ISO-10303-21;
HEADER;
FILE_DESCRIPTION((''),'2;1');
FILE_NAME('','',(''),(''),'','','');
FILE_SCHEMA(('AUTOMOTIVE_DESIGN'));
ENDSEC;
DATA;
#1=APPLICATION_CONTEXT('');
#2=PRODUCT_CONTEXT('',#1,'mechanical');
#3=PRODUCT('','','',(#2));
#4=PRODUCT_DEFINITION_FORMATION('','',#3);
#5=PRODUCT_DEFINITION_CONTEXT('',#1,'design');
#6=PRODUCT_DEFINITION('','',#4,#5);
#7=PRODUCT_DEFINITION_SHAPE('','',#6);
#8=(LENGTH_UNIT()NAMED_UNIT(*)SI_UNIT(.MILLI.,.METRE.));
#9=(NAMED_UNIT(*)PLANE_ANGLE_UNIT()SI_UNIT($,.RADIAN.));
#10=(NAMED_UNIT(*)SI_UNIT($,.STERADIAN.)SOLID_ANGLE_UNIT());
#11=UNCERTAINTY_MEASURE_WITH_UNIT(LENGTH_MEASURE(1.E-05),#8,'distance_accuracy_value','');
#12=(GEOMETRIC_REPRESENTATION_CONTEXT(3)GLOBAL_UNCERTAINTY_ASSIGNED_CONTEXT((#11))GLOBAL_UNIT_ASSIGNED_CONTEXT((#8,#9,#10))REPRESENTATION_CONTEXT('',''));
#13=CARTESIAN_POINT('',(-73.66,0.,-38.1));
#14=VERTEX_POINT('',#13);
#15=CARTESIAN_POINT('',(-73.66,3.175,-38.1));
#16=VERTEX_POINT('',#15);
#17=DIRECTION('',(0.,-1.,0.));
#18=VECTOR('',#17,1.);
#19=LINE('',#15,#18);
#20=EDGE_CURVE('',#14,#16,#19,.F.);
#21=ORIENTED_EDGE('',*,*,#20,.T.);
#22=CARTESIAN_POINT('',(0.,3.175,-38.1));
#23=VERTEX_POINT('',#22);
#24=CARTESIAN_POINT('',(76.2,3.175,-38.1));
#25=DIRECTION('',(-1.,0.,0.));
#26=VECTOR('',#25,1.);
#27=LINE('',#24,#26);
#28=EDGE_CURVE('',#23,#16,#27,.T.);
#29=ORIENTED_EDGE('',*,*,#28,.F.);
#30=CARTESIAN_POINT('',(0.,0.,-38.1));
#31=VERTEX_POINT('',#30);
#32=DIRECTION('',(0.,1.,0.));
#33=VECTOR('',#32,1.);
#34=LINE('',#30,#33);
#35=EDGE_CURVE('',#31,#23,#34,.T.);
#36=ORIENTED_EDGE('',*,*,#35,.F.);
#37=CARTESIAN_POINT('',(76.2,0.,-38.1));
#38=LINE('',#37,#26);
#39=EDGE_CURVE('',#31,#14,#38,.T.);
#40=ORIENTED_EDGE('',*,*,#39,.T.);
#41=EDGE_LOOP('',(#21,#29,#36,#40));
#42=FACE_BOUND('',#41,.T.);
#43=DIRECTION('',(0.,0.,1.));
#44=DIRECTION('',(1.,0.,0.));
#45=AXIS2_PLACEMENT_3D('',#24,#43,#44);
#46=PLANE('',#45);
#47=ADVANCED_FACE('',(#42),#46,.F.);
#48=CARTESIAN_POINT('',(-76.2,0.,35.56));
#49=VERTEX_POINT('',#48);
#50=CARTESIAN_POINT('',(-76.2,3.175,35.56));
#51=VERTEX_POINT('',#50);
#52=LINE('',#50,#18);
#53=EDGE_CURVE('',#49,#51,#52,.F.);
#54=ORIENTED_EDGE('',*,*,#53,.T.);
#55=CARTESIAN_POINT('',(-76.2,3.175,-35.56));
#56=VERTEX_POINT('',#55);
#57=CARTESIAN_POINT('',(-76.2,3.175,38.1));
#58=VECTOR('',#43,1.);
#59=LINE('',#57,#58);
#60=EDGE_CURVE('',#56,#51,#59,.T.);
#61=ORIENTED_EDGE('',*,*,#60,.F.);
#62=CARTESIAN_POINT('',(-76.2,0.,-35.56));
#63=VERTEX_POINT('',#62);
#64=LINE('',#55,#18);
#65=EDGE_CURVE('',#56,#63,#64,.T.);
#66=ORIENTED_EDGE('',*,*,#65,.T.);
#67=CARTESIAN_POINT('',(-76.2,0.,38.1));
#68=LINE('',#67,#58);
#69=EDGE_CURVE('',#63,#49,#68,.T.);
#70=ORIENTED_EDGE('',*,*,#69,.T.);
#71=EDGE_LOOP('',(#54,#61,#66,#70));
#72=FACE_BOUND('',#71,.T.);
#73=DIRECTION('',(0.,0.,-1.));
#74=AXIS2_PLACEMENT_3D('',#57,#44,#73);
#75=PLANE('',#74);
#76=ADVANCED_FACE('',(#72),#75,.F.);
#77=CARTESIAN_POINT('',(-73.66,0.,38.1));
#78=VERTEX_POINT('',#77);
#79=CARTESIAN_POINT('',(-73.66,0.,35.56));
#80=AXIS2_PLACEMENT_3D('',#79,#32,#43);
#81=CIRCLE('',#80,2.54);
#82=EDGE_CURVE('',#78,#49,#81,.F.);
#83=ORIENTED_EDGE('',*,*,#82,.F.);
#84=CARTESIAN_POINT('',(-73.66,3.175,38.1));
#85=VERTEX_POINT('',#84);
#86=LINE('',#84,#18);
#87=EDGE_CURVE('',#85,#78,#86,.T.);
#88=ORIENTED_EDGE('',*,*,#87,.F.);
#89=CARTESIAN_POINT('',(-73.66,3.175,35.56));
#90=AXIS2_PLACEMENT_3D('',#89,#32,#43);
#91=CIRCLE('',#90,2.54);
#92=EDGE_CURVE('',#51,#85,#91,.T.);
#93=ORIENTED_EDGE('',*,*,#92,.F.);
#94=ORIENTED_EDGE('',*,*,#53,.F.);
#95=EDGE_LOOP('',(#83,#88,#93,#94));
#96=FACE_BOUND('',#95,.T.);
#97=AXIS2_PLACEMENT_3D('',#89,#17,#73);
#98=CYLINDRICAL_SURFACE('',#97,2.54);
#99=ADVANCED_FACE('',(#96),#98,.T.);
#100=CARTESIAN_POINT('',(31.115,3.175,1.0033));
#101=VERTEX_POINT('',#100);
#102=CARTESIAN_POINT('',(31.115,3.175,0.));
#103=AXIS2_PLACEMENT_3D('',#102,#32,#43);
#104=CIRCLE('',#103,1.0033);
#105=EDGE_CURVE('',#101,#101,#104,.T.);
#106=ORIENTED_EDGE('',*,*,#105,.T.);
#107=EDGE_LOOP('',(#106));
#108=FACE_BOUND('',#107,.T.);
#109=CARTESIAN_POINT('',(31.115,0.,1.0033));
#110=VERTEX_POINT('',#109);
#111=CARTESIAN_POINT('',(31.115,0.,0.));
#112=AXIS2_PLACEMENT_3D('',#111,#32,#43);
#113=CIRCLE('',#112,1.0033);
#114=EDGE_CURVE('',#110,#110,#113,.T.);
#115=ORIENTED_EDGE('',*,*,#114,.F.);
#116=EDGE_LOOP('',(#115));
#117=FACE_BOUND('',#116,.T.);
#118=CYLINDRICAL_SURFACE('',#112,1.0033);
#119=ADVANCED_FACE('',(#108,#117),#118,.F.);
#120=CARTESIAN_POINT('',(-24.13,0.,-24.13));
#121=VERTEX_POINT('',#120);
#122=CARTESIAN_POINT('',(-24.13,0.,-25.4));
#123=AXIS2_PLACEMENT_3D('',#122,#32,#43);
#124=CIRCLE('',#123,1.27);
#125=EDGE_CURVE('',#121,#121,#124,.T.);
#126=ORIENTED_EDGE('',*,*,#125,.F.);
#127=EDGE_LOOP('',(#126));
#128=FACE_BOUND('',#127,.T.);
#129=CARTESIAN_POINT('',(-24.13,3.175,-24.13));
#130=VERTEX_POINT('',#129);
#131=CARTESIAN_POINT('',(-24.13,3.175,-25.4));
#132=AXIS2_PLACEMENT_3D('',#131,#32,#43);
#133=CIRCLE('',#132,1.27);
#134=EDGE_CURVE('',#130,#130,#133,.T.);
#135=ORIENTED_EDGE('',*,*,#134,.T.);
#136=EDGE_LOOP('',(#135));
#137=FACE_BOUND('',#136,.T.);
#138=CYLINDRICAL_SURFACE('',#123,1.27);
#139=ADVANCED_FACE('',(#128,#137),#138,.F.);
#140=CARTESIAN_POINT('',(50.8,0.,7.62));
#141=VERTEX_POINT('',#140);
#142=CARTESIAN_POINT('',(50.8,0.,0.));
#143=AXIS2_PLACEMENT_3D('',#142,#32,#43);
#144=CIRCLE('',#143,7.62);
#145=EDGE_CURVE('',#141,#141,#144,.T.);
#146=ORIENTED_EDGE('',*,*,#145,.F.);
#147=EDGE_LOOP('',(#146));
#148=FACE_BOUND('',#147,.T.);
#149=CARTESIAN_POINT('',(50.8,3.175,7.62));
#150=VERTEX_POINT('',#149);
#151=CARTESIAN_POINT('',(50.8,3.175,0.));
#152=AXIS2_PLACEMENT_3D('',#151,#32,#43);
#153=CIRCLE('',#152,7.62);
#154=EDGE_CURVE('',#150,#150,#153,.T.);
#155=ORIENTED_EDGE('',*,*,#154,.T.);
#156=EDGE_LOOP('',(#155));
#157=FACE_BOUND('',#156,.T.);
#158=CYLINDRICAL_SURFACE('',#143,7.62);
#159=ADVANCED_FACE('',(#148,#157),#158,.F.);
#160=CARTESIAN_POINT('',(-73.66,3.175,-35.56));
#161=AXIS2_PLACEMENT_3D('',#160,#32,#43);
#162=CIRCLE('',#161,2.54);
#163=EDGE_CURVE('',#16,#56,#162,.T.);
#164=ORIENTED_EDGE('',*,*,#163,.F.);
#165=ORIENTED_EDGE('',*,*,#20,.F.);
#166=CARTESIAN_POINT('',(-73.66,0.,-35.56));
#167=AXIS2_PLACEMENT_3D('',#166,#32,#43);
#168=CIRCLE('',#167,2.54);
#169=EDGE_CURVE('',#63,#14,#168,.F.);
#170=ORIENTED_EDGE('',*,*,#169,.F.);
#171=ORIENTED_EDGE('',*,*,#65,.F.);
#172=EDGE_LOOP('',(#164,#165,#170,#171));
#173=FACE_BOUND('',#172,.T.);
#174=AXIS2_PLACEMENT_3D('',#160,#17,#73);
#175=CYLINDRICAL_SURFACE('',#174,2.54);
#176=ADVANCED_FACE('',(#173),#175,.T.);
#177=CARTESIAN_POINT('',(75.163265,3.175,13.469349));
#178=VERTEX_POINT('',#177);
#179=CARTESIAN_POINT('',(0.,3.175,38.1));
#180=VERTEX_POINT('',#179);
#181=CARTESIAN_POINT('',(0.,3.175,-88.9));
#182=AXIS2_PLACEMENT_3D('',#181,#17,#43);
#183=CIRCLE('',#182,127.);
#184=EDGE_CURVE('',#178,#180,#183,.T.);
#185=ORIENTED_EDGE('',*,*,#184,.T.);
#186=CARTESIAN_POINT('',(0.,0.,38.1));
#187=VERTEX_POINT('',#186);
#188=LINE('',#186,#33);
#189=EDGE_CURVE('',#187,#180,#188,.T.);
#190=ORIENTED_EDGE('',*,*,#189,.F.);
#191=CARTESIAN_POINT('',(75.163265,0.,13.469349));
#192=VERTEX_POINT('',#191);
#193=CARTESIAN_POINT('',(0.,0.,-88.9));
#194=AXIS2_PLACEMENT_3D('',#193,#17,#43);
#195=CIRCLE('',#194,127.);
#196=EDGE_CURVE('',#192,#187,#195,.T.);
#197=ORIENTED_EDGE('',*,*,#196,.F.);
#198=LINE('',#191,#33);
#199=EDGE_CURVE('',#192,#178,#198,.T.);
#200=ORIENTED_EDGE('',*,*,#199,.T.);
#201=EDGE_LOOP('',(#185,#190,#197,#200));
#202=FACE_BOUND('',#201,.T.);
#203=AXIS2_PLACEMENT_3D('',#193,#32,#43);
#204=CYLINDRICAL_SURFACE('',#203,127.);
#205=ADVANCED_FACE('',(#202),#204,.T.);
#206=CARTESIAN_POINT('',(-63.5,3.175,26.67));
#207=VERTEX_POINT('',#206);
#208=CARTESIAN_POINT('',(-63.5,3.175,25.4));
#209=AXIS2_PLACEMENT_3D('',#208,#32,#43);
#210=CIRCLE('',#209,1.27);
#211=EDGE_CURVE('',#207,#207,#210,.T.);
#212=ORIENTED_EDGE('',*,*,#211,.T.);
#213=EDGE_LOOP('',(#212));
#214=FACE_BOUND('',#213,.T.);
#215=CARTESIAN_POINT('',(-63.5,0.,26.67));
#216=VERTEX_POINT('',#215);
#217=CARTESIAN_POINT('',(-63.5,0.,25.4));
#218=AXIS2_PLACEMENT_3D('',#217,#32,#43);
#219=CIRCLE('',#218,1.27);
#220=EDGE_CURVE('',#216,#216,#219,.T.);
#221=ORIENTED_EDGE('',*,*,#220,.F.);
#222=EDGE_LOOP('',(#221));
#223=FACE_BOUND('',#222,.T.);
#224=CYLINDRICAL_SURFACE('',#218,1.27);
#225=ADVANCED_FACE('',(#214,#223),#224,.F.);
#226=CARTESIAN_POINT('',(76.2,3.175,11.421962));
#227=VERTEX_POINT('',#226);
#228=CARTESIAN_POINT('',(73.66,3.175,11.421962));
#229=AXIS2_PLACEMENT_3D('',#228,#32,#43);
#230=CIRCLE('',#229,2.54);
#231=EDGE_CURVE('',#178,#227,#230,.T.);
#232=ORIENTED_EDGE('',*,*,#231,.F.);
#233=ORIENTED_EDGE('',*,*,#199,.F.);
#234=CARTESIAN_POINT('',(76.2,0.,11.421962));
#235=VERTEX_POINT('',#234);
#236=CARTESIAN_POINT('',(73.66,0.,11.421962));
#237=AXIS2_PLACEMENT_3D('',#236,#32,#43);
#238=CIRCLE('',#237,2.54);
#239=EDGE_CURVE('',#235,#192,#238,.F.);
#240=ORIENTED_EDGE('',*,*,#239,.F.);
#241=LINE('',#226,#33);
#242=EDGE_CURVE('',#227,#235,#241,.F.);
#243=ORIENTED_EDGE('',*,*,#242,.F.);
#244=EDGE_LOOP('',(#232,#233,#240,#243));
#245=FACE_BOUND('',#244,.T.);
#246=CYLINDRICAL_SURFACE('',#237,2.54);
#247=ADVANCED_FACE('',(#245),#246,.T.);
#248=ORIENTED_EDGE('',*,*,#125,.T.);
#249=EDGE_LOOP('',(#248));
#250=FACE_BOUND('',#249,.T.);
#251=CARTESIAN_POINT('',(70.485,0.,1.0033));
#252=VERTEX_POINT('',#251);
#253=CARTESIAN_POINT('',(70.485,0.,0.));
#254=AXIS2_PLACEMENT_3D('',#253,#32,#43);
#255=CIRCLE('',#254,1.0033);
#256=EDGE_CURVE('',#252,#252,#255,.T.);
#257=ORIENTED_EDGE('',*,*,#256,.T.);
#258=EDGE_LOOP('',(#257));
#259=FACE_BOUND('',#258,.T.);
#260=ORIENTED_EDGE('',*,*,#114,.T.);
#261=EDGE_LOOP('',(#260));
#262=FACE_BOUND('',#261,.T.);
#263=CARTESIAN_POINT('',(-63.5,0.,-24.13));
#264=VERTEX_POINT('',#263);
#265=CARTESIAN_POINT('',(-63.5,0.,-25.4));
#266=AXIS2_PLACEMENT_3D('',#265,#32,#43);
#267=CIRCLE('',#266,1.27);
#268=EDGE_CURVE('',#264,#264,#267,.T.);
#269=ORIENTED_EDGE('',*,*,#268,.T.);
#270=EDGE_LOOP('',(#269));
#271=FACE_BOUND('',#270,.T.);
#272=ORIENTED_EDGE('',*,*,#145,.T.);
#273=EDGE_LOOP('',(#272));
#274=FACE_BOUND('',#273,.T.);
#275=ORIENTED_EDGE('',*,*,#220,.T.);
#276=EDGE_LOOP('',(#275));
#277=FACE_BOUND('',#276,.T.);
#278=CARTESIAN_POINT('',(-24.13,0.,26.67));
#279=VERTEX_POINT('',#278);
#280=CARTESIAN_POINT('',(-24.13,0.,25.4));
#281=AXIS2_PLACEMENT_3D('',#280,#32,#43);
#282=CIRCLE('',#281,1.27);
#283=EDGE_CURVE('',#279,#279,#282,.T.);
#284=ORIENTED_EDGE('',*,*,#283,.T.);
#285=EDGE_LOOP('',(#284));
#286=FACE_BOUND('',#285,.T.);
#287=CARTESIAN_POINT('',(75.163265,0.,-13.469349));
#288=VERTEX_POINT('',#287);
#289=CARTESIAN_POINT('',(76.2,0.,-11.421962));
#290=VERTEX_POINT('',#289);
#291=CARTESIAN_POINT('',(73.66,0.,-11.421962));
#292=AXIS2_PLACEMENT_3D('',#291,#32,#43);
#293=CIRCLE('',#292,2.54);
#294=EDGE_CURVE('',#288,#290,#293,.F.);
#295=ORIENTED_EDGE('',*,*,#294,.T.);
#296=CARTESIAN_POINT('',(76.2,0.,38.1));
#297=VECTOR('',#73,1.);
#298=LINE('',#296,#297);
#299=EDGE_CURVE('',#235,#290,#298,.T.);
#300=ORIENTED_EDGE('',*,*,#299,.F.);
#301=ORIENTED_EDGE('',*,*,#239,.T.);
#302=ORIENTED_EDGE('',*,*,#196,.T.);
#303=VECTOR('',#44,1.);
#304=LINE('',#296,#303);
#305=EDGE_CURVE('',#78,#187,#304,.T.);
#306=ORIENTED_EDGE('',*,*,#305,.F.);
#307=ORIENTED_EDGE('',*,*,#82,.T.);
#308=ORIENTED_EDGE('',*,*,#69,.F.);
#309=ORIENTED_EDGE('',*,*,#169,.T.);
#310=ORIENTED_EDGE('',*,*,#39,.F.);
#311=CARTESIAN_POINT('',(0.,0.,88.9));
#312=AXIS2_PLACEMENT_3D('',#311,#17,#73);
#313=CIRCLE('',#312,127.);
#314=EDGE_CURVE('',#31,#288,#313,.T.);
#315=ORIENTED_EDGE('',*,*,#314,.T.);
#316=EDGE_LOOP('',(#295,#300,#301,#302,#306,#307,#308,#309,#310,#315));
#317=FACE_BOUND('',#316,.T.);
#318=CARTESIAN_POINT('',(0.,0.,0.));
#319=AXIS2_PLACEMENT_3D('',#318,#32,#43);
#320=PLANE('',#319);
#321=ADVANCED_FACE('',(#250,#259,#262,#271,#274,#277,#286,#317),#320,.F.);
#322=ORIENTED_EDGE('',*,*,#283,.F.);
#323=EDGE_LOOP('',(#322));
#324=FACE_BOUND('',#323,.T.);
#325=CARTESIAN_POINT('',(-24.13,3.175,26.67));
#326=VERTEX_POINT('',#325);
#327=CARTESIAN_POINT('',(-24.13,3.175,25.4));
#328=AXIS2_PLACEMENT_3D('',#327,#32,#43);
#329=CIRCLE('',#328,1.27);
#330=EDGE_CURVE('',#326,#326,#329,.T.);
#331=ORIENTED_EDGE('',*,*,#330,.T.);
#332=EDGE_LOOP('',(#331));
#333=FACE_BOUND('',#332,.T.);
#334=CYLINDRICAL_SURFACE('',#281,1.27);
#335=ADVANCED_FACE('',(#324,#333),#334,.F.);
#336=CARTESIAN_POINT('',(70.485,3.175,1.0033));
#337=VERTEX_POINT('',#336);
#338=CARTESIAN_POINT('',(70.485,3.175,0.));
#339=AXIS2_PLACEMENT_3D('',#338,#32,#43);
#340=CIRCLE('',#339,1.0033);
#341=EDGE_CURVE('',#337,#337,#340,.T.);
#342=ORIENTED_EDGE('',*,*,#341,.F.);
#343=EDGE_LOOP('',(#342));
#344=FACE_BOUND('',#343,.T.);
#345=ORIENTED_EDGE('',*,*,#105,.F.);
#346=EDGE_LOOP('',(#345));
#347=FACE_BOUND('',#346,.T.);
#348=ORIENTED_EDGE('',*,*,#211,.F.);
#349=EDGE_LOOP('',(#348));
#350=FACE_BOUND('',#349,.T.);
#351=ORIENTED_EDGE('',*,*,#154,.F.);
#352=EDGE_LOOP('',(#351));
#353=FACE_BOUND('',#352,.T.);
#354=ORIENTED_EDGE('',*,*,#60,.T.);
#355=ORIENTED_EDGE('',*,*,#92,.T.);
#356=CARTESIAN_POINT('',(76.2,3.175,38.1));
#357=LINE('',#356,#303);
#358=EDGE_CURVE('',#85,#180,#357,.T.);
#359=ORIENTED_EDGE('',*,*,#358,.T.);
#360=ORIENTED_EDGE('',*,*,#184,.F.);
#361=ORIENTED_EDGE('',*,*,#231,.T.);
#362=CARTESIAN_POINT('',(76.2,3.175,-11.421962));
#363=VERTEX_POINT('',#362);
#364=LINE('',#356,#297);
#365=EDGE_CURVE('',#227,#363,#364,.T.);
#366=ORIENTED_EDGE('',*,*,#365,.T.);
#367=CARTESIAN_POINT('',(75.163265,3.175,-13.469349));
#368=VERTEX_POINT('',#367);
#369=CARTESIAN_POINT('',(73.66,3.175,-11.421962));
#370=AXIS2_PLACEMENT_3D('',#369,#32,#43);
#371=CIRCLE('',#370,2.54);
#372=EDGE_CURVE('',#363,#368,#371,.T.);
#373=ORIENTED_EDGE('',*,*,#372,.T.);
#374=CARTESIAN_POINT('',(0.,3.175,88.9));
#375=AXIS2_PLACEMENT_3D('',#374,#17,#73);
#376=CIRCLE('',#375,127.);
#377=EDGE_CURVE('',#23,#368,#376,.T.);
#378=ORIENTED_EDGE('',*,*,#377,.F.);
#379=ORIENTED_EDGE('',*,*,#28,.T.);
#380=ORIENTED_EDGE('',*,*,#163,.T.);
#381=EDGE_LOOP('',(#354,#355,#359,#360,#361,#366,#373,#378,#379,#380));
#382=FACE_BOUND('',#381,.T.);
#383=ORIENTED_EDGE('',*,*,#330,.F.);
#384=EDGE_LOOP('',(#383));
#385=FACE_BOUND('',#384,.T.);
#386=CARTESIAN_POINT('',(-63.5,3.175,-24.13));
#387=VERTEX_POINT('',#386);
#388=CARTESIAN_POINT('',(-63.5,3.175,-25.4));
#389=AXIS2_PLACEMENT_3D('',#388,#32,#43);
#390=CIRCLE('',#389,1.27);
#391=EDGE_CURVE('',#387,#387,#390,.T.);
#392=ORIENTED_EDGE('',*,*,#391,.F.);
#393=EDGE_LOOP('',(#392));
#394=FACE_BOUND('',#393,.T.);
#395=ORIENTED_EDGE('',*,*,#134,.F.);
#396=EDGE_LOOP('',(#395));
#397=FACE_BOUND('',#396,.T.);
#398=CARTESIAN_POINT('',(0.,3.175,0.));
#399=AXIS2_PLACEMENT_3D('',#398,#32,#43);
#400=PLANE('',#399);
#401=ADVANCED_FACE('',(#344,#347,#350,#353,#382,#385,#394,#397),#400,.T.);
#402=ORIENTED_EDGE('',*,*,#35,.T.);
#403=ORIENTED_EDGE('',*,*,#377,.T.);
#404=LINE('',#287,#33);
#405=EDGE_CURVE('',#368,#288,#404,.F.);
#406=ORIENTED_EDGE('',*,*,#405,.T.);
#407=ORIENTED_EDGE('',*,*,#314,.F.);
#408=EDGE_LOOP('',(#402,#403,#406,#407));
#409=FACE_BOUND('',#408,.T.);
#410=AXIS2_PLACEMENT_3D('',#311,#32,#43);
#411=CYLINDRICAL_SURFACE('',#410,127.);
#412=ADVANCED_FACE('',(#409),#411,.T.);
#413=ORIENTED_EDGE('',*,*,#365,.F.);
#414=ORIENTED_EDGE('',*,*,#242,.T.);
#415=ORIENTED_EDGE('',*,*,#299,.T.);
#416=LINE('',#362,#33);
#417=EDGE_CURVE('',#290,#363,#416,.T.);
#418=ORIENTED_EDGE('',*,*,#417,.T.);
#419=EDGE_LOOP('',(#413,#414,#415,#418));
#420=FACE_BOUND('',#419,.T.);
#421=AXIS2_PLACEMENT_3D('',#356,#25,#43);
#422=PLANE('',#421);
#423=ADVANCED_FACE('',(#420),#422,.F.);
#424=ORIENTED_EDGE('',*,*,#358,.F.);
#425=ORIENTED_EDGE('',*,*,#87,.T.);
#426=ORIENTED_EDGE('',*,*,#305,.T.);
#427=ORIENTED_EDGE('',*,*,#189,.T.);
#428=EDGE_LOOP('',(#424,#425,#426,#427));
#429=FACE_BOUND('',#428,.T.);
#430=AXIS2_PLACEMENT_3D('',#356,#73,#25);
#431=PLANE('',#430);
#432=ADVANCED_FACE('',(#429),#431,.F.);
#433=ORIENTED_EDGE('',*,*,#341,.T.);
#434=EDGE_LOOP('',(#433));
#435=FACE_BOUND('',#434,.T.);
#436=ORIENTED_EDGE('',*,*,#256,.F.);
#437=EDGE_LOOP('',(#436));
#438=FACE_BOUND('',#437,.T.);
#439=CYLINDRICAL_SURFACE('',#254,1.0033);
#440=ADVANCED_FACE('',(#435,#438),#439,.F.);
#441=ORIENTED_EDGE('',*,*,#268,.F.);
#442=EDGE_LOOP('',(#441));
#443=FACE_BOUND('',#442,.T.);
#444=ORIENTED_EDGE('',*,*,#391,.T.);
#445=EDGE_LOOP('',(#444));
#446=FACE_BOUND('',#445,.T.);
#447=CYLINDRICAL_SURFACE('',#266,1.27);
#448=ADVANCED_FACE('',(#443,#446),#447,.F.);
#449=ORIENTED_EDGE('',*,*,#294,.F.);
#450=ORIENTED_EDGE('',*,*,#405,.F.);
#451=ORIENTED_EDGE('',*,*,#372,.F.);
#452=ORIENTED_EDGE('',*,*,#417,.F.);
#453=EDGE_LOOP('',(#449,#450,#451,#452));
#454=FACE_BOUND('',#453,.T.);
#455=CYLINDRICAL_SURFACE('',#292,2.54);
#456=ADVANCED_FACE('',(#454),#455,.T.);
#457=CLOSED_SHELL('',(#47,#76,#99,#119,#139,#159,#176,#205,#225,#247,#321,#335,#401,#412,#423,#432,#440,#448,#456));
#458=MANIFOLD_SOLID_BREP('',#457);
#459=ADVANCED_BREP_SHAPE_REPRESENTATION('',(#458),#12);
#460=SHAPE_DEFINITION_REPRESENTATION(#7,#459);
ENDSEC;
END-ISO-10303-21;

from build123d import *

# Parameters (mm, degrees)
SKETCH1_W           = 152.4
SKETCH1_H           = 76.2
BOSS_EXTRUDE1_DEPTH = 3.175
CUT_EXTRUDE1_DEPTH  = 3.175
FILLET2_R           = 2.54
FILLET3_R           = 2.54
SKETCH5_R           = 7.62
CUT_EXTRUDE2_DEPTH  = 3.175
SKETCH6_R           = 1.27
CUT_EXTRUDE3_DEPTH  = 3.175
SKETCH7_R           = 1.0033
CUT_EXTRUDE4_DEPTH  = 86.253332046


with BuildPart() as part:
    # Sketch1 → Boss-Extrude1 (new body)
    with BuildSketch(Plane(origin=(0, 0, 0), x_dir=(1, 0, 0), z_dir=(0, 1, 0))):
        Rectangle(SKETCH1_W, SKETCH1_H)
    extrude(amount=BOSS_EXTRUDE1_DEPTH)

    # Sketch4 → Cut-Extrude1 (cut)
    with BuildSketch(Plane(origin=(0, 3.175, 0), x_dir=(1, 0, 0), z_dir=(0, 1, 0))):
        with BuildLine():
            Line((0, 38.1), (76.2, 38.1))
            Line((76.2, 38.1), (76.2, 12.7))
            ThreePointArc((76.2, 12.7), (40.160926284, 31.582778852), (0, 38.1))
        make_face()
        with BuildLine():
            Line((76.2, -38.1), (76.2, -12.7))
            ThreePointArc((76.2, -12.7), (40.160926284, -31.582778852), (0, -38.1))
            Line((0, -38.1), (76.2, -38.1))
        make_face()
    extrude(amount=-CUT_EXTRUDE1_DEPTH, mode=Mode.SUBTRACT)

    # Fillet2
    fillet2_edges = [part.edges().sort_by_distance(p)[0] for p in [
        (76.2, 1.5875, -12.7),
        (76.2, 1.5875, 12.7),
    ]]
    fillet(fillet2_edges, radius=FILLET2_R)

    # Fillet3
    fillet3_edges = [part.edges().sort_by_distance(p)[0] for p in [
        (-76.2, 1.5875, -38.1),
        (-76.2, 1.5875, 38.1),
    ]]
    fillet(fillet3_edges, radius=FILLET3_R)

    # Sketch5 → Cut-Extrude2 (cut)
    with BuildSketch(Plane(origin=(0, 3.175, 0), x_dir=(1, 0, 0), z_dir=(0, 1, 0))):
        with Locations(Location((50.8, 0, 0), (0, 0, 270))):
            Circle(SKETCH5_R)
    extrude(amount=-CUT_EXTRUDE2_DEPTH, mode=Mode.SUBTRACT)

    # Sketch6 → Cut-Extrude3 (cut)
    with BuildSketch(Plane(origin=(0, 3.175, 0), x_dir=(1, 0, 0), z_dir=(0, 1, 0))):
        with Locations(Location((-63.5, 25.4, 0), (0, 0, 270))):
            Circle(SKETCH6_R)
        with Locations(Location((-63.5, -25.4, 0), (0, 0, 270))):
            Circle(SKETCH6_R)
        with Locations(Location((-24.13, 25.4, 0), (0, 0, 270))):
            Circle(SKETCH6_R)
        with Locations(Location((-24.13, -25.4, 0), (0, 0, 270))):
            Circle(SKETCH6_R)
    extrude(amount=-CUT_EXTRUDE3_DEPTH, mode=Mode.SUBTRACT)

    # Sketch7 → Cut-Extrude4 (cut, through all)
    with BuildSketch(Plane(origin=(0, 3.175, 0), x_dir=(1, 0, 0), z_dir=(0, 1, 0))):
        with Locations(Location((70.485, 0, 0), (0, 0, 270))):
            Circle(SKETCH7_R)
        with Locations(Location((31.115, 0, 0), (0, 0, 270))):
            Circle(SKETCH7_R)
    extrude(amount=-CUT_EXTRUDE4_DEPTH, mode=Mode.SUBTRACT)


solid = part.part
